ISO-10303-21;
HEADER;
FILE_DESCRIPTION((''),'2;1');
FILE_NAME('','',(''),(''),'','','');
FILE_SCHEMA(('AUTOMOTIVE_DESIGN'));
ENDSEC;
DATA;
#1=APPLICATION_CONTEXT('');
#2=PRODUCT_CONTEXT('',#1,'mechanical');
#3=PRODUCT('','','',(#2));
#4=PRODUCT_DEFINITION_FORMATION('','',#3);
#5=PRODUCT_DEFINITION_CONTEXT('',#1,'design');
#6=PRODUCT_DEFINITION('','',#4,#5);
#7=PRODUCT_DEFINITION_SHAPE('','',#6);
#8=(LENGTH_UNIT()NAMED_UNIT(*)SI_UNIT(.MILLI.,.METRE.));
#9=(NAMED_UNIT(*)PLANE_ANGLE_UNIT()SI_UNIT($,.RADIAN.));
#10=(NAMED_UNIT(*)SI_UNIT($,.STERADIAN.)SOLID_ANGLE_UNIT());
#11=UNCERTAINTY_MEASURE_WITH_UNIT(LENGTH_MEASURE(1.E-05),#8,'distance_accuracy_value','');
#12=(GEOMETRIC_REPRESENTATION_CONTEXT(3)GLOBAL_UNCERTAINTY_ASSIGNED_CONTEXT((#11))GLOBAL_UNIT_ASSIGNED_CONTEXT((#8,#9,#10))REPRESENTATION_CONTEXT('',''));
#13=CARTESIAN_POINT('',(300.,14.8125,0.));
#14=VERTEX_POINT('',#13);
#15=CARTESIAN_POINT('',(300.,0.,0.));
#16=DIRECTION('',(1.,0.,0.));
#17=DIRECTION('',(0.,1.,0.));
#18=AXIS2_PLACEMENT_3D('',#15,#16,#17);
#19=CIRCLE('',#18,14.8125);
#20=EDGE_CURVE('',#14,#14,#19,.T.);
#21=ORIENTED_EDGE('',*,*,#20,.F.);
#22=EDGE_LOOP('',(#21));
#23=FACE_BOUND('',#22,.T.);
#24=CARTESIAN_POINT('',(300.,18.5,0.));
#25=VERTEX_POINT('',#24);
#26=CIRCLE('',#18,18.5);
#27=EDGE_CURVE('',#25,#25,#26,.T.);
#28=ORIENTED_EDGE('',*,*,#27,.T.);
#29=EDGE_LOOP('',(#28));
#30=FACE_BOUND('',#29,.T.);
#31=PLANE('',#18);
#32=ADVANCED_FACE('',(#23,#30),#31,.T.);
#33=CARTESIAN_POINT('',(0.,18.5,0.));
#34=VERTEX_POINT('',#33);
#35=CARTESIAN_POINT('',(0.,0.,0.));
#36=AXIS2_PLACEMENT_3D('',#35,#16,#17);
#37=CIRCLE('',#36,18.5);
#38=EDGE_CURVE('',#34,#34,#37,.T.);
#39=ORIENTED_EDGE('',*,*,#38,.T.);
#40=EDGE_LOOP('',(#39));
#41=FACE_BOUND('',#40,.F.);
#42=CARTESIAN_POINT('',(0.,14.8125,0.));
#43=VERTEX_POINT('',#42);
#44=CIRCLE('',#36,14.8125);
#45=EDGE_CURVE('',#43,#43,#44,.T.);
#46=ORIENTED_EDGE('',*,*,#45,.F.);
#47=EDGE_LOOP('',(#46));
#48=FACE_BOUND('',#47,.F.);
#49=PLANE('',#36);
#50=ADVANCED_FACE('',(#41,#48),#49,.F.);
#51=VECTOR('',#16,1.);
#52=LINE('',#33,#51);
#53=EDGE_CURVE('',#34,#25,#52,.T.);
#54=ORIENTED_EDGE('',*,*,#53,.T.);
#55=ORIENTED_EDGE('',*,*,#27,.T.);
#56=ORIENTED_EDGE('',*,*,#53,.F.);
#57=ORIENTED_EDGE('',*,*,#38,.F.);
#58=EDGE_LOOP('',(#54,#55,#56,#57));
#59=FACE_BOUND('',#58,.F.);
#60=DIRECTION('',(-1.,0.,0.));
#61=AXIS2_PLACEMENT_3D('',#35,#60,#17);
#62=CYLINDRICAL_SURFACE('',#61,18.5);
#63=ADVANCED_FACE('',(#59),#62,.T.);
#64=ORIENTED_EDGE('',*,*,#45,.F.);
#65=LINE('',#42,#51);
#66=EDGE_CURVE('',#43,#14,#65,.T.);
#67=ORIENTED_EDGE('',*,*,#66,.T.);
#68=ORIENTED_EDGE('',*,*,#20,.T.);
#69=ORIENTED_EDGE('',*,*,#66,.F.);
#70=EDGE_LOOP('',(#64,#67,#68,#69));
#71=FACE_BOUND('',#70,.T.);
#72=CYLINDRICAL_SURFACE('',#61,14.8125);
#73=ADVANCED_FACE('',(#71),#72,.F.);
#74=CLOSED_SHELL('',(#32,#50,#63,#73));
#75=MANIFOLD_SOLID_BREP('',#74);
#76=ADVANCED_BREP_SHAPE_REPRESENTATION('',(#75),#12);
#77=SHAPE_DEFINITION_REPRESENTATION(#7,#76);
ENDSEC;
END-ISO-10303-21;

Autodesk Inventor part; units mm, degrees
ref_plane "YZ Plane" through (0, 0, 0) normal (1, 0, 0) x (0, 1, 0)
ref_plane "XZ Plane" through (0, 0, 0) normal (0, 1, 0) x (-1, 0, 0)
ref_plane "XY Plane" through (0, 0, 0) normal (0, 0, 1) x (1, 0, 0)
sketch "Sketch1" plane through (0, 0, 0) normal (1, 0, 0) x (0, 1, 0)
  circle A0 centre (0, 0) radius 18.5
  circle A1 centre (0, 0) radius 14.8125
  dimension "d0" = 37
  dimension "d1" = 29.625
extrude "Extrusion1" add sketch "Sketch1" along normal blind 300
properties part number "PVC front 1"
